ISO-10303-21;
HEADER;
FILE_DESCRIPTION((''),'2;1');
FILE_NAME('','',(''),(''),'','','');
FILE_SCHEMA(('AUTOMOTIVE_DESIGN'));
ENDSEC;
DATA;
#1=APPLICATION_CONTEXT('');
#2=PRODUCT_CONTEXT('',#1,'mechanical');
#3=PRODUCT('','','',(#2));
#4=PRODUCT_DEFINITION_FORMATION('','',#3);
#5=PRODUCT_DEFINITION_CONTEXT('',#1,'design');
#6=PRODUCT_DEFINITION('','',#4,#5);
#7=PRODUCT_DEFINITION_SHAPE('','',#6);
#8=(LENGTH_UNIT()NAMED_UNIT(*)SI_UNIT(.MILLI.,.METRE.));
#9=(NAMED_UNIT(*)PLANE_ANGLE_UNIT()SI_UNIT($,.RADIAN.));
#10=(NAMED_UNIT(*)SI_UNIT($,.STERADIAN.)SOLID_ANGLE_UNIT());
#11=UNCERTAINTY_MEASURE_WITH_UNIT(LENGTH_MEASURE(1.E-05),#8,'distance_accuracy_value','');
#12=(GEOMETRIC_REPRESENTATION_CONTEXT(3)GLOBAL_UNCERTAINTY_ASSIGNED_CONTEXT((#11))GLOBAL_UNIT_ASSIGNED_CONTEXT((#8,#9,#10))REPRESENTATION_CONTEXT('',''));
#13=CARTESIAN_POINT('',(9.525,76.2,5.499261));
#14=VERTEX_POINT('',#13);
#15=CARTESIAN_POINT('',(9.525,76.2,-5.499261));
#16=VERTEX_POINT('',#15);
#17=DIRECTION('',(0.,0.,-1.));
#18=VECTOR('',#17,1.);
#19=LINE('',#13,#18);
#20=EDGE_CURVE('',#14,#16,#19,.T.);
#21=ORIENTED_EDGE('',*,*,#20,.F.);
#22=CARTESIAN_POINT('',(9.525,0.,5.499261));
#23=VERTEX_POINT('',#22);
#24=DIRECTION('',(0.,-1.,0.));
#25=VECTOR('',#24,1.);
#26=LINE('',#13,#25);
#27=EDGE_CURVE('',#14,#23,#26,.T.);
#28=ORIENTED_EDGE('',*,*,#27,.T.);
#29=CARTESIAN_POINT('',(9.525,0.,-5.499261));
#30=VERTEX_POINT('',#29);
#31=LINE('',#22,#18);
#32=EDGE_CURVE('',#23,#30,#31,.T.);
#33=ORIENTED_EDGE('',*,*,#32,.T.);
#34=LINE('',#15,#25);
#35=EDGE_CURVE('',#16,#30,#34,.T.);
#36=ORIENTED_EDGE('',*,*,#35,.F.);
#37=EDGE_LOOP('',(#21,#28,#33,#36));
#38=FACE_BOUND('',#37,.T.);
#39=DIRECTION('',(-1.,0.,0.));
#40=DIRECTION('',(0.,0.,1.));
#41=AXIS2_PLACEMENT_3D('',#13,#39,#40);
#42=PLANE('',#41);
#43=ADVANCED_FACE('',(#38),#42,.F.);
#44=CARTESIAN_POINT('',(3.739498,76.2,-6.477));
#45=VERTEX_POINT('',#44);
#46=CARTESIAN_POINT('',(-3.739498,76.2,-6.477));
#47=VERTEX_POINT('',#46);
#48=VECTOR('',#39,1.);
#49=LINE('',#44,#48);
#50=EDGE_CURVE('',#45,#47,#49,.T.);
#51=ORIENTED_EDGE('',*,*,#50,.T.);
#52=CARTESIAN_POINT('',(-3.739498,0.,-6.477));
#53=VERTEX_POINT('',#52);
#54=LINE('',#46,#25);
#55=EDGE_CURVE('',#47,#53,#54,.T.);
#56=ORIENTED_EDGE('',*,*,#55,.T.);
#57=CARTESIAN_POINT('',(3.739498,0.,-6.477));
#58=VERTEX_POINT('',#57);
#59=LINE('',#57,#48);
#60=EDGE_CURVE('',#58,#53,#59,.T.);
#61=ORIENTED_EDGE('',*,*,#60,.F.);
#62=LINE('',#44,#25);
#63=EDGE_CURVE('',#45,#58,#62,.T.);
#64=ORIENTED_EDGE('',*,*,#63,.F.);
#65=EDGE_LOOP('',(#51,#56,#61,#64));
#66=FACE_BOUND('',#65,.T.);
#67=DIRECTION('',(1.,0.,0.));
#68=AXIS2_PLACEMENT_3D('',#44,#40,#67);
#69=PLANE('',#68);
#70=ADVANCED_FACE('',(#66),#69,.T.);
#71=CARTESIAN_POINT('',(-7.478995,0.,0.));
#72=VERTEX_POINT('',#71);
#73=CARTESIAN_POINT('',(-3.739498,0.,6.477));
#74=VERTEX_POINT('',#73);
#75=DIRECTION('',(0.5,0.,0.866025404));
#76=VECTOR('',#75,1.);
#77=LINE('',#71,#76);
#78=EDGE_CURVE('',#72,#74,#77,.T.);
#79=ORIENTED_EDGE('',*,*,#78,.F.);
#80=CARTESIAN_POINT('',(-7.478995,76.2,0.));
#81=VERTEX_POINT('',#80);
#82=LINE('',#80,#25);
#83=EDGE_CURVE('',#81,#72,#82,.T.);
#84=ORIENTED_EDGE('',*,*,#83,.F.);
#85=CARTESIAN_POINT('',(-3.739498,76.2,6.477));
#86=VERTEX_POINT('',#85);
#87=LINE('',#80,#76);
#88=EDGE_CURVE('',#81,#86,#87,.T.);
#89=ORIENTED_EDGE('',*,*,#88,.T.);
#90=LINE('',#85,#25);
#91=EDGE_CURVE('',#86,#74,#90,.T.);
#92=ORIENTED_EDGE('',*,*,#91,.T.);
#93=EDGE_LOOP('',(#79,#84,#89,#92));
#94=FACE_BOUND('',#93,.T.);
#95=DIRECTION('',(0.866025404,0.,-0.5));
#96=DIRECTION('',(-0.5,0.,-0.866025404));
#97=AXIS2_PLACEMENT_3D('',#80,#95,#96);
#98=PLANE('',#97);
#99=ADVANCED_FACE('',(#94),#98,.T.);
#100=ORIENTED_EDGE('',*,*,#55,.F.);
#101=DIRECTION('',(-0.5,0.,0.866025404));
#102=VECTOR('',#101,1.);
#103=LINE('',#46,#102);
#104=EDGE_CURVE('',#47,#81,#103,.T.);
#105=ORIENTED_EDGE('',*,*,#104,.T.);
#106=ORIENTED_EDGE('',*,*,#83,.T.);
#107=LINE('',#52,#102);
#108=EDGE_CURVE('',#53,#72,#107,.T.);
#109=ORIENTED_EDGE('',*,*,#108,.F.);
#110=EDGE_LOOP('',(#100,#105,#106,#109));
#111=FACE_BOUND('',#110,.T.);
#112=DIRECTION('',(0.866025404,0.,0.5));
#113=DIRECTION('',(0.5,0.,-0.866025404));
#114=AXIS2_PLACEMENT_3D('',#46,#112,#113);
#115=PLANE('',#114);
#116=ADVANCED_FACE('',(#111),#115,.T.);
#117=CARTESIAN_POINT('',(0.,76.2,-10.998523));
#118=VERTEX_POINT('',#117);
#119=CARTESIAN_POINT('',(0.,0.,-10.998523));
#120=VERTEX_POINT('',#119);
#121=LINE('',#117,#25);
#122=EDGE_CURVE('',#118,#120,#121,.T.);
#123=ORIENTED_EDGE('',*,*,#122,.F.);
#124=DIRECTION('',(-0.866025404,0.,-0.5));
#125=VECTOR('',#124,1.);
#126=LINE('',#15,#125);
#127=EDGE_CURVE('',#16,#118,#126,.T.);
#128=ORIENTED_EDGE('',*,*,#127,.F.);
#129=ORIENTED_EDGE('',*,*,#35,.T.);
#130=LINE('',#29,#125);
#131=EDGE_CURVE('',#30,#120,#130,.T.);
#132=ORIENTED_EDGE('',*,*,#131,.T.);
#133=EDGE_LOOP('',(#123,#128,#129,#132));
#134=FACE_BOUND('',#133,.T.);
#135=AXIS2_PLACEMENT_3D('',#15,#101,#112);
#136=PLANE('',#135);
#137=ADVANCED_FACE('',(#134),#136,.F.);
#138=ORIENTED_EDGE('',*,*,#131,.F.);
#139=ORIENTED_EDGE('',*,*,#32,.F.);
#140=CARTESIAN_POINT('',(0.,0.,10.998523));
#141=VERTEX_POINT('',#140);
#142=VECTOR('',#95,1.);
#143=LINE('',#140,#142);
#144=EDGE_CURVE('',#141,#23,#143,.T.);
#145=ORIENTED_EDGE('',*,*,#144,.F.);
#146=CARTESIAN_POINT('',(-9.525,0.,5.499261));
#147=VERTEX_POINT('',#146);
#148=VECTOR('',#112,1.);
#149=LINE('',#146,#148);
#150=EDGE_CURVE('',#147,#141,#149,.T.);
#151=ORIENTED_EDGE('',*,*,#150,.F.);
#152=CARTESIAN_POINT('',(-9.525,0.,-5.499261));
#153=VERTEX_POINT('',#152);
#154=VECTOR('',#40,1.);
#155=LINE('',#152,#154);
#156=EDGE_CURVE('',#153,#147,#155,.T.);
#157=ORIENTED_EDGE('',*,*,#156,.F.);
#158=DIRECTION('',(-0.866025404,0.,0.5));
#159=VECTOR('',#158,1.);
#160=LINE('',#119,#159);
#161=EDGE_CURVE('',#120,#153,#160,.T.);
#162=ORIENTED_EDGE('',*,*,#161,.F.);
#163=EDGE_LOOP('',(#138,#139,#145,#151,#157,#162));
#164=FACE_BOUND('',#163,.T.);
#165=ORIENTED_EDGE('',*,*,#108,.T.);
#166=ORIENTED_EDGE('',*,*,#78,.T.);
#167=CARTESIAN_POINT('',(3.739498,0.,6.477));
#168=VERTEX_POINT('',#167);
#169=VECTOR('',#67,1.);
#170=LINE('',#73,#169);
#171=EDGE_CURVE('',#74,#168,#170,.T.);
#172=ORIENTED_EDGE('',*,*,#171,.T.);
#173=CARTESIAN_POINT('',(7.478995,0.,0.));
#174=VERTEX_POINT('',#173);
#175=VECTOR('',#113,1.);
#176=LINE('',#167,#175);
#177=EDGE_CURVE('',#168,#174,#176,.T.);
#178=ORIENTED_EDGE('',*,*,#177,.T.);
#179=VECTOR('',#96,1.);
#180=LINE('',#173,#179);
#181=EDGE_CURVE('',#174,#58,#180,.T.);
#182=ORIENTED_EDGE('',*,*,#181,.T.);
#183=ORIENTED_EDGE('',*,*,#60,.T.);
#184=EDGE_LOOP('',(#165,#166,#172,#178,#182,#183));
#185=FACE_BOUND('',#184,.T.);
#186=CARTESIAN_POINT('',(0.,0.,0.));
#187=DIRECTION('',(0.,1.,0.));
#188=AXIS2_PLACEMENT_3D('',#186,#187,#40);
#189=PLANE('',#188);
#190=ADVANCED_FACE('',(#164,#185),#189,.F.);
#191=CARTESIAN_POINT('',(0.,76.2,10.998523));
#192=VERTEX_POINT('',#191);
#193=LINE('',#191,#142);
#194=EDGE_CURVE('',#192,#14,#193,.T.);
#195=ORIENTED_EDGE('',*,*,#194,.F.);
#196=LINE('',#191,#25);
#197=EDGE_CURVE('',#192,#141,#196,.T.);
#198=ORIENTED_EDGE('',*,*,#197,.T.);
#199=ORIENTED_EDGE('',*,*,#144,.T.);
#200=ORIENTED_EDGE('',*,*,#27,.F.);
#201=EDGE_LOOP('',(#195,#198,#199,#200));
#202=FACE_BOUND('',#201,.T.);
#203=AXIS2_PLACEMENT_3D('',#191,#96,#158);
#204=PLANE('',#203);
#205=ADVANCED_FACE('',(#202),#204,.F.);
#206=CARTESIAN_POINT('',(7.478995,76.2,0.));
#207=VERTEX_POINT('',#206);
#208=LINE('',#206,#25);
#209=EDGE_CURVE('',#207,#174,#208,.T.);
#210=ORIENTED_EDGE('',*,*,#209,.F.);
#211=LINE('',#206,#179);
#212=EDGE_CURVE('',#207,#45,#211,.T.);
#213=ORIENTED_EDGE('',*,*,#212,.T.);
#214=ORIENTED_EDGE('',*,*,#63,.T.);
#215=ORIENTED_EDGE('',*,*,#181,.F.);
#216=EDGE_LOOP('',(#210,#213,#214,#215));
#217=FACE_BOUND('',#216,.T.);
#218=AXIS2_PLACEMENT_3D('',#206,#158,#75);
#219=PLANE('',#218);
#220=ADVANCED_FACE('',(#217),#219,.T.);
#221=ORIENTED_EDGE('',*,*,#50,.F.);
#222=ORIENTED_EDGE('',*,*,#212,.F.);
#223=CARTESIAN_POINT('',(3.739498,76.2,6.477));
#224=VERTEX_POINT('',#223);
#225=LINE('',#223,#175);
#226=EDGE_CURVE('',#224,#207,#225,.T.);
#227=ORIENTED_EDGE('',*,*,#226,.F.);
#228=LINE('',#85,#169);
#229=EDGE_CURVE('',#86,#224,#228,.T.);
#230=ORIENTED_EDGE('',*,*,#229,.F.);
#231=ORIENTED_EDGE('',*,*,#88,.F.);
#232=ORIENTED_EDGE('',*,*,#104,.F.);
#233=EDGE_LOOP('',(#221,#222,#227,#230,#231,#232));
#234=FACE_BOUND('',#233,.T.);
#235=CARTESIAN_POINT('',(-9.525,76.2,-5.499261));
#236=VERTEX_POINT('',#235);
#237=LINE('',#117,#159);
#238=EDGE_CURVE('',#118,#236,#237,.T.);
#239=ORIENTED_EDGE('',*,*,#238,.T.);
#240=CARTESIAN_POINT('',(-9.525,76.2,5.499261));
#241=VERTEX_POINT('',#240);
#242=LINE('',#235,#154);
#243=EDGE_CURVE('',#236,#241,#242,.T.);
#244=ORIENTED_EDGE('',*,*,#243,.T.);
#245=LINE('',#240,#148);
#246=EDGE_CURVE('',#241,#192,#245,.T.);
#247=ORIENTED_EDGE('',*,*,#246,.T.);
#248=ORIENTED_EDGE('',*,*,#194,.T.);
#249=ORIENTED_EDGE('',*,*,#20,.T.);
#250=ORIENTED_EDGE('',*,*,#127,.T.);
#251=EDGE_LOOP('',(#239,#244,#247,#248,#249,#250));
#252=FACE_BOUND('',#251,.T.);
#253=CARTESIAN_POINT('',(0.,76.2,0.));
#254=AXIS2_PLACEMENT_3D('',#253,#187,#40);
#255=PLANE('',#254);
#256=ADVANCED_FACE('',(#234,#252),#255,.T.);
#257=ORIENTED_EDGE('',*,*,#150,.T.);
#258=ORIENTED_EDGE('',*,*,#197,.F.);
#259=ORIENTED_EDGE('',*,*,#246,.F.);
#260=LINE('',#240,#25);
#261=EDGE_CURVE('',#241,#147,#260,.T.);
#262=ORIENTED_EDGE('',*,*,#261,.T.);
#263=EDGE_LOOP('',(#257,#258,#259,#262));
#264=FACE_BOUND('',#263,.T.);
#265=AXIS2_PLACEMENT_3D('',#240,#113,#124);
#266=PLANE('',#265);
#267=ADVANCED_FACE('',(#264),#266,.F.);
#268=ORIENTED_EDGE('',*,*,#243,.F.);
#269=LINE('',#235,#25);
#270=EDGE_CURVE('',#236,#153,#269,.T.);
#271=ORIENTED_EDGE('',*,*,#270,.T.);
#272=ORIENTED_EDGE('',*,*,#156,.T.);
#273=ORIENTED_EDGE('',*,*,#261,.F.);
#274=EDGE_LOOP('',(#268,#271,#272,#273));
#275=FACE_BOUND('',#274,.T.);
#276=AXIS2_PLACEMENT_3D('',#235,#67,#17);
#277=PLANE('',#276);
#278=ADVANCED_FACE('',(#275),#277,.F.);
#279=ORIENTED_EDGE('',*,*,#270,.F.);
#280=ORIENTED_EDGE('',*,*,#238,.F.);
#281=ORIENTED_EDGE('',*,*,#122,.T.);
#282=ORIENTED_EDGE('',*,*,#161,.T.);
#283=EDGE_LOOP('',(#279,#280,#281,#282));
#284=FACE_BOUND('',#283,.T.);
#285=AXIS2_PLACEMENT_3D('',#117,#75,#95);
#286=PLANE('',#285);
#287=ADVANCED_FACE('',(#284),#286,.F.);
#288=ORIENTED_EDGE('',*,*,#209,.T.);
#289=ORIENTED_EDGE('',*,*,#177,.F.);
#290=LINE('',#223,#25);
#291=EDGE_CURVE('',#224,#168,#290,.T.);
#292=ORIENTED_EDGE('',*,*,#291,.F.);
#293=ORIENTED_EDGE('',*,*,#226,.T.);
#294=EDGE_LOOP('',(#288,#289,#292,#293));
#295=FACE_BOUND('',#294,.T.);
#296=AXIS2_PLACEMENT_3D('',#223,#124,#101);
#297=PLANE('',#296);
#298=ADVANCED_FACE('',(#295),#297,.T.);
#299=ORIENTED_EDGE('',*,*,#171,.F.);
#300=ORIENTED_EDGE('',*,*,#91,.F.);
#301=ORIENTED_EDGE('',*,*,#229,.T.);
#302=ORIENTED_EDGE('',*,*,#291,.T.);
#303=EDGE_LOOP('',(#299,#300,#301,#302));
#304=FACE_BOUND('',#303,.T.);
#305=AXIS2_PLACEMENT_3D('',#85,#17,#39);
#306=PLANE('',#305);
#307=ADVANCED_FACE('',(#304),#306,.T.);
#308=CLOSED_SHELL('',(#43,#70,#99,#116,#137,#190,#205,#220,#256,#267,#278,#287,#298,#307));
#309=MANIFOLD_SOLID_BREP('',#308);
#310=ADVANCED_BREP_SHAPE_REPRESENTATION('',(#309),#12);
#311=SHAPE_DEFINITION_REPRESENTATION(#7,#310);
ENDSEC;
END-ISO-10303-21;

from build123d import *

# Parameters (mm, degrees)
BOSS_EXTRUDE1_DEPTH = 76.2


with BuildPart() as part:
    # Sketch1 → Boss-Extrude1 (new body)
    with BuildSketch(Plane(origin=(0, 0, 0), x_dir=(1, 0, 0), z_dir=(0, 1, 0))):
        Polygon((0, -10.998522628), (9.525, -5.499261314), (9.525, 5.499261314), (0, 10.998522628), (-9.525, 5.499261314), (-9.525, -5.499261314), align=None)
        Polygon((3.739497694, 6.477), (-3.739497694, 6.477), (-7.478995387, 0), (-3.739497694, -6.477), (3.739497694, -6.477), (7.478995387, 0), align=None, mode=Mode.SUBTRACT)
    extrude(amount=BOSS_EXTRUDE1_DEPTH)


solid = part.part
